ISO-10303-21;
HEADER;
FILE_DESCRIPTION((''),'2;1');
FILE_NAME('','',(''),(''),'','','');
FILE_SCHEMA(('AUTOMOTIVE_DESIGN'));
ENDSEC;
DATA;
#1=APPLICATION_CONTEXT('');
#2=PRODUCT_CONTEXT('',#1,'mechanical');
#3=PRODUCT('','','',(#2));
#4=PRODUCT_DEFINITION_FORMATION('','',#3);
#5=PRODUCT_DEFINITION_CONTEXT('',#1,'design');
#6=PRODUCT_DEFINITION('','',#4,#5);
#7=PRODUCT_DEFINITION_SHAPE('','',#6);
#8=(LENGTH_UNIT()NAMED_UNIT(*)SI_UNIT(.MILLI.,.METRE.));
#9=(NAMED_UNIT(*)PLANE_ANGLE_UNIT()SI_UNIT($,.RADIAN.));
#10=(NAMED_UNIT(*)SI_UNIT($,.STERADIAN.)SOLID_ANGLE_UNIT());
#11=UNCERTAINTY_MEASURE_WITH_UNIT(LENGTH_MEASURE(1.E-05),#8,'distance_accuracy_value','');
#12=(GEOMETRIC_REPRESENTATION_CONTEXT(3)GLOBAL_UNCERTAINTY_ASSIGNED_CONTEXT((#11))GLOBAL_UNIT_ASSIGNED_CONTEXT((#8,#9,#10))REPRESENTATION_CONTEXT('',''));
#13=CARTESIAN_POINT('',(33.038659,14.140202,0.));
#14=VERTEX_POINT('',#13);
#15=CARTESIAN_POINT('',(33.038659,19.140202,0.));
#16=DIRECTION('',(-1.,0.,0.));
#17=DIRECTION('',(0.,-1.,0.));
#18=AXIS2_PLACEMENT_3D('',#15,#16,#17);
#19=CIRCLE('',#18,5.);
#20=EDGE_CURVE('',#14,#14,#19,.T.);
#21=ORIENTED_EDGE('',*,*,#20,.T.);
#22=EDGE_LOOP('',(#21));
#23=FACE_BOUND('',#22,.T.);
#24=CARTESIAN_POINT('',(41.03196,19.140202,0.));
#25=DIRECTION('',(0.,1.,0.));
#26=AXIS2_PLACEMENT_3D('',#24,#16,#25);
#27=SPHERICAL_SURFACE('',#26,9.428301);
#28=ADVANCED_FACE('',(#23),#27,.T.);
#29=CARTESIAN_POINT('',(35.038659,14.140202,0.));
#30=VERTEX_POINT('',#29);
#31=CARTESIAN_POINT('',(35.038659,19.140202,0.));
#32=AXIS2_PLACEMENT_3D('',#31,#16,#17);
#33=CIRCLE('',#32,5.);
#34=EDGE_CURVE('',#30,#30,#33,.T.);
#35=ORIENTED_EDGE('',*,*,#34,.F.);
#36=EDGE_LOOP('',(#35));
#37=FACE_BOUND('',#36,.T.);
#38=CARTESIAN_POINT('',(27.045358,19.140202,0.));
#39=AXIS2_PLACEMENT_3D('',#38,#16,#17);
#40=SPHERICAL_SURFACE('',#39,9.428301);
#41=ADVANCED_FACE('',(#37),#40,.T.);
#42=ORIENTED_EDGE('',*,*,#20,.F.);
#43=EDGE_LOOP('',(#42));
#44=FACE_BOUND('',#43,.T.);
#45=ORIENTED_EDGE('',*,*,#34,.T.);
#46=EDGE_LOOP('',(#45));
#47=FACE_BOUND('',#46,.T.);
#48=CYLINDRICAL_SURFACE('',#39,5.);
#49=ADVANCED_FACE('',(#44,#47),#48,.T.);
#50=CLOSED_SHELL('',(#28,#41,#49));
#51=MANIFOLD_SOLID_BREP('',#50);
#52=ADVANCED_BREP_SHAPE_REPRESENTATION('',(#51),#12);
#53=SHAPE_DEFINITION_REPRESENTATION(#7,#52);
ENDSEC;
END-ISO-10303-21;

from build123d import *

# Parameters (mm, degrees)
SKETCH_2_ONE_SIDE_W = 2
SKETCH_2_ONE_SIDE_H = 5


with BuildPart() as part:
    # 草图2 one side → 旋转1 (revolve)
    with BuildSketch(Plane.XY, mode=Mode.PRIVATE) as revolve_1_sk:
        with Locations((34.038658966, 21.640201978)):
            Rectangle(SKETCH_2_ONE_SIDE_W, SKETCH_2_ONE_SIDE_H)
        with BuildLine():
            Line((31.603658966, 19.140201978), (33.038658966, 19.140201978))
            Line((33.038658966, 19.140201978), (33.038658966, 24.140201978))
            ThreePointArc((33.038658966, 24.140201978), (31.969506999, 21.741126092), (31.603658966, 19.140201978))
        make_face()
        with BuildLine():
            Line((35.038658966, 19.140201978), (36.473658966, 19.140201978))
            ThreePointArc((36.473658966, 19.140201978), (36.107810934, 21.741126092), (35.038658966, 24.140201978))
            Line((35.038658966, 24.140201978), (35.038658966, 19.140201978))
        make_face()
    revolve(revolve_1_sk.sketch.rotate(Axis((27.045357573, 19.140201978, 0), (1, 0, 0)), 180), axis=Axis((27.045357573, 19.140201978, 0), (1, 0, 0)))  # turned: the seam where the file's is


solid = part.part
